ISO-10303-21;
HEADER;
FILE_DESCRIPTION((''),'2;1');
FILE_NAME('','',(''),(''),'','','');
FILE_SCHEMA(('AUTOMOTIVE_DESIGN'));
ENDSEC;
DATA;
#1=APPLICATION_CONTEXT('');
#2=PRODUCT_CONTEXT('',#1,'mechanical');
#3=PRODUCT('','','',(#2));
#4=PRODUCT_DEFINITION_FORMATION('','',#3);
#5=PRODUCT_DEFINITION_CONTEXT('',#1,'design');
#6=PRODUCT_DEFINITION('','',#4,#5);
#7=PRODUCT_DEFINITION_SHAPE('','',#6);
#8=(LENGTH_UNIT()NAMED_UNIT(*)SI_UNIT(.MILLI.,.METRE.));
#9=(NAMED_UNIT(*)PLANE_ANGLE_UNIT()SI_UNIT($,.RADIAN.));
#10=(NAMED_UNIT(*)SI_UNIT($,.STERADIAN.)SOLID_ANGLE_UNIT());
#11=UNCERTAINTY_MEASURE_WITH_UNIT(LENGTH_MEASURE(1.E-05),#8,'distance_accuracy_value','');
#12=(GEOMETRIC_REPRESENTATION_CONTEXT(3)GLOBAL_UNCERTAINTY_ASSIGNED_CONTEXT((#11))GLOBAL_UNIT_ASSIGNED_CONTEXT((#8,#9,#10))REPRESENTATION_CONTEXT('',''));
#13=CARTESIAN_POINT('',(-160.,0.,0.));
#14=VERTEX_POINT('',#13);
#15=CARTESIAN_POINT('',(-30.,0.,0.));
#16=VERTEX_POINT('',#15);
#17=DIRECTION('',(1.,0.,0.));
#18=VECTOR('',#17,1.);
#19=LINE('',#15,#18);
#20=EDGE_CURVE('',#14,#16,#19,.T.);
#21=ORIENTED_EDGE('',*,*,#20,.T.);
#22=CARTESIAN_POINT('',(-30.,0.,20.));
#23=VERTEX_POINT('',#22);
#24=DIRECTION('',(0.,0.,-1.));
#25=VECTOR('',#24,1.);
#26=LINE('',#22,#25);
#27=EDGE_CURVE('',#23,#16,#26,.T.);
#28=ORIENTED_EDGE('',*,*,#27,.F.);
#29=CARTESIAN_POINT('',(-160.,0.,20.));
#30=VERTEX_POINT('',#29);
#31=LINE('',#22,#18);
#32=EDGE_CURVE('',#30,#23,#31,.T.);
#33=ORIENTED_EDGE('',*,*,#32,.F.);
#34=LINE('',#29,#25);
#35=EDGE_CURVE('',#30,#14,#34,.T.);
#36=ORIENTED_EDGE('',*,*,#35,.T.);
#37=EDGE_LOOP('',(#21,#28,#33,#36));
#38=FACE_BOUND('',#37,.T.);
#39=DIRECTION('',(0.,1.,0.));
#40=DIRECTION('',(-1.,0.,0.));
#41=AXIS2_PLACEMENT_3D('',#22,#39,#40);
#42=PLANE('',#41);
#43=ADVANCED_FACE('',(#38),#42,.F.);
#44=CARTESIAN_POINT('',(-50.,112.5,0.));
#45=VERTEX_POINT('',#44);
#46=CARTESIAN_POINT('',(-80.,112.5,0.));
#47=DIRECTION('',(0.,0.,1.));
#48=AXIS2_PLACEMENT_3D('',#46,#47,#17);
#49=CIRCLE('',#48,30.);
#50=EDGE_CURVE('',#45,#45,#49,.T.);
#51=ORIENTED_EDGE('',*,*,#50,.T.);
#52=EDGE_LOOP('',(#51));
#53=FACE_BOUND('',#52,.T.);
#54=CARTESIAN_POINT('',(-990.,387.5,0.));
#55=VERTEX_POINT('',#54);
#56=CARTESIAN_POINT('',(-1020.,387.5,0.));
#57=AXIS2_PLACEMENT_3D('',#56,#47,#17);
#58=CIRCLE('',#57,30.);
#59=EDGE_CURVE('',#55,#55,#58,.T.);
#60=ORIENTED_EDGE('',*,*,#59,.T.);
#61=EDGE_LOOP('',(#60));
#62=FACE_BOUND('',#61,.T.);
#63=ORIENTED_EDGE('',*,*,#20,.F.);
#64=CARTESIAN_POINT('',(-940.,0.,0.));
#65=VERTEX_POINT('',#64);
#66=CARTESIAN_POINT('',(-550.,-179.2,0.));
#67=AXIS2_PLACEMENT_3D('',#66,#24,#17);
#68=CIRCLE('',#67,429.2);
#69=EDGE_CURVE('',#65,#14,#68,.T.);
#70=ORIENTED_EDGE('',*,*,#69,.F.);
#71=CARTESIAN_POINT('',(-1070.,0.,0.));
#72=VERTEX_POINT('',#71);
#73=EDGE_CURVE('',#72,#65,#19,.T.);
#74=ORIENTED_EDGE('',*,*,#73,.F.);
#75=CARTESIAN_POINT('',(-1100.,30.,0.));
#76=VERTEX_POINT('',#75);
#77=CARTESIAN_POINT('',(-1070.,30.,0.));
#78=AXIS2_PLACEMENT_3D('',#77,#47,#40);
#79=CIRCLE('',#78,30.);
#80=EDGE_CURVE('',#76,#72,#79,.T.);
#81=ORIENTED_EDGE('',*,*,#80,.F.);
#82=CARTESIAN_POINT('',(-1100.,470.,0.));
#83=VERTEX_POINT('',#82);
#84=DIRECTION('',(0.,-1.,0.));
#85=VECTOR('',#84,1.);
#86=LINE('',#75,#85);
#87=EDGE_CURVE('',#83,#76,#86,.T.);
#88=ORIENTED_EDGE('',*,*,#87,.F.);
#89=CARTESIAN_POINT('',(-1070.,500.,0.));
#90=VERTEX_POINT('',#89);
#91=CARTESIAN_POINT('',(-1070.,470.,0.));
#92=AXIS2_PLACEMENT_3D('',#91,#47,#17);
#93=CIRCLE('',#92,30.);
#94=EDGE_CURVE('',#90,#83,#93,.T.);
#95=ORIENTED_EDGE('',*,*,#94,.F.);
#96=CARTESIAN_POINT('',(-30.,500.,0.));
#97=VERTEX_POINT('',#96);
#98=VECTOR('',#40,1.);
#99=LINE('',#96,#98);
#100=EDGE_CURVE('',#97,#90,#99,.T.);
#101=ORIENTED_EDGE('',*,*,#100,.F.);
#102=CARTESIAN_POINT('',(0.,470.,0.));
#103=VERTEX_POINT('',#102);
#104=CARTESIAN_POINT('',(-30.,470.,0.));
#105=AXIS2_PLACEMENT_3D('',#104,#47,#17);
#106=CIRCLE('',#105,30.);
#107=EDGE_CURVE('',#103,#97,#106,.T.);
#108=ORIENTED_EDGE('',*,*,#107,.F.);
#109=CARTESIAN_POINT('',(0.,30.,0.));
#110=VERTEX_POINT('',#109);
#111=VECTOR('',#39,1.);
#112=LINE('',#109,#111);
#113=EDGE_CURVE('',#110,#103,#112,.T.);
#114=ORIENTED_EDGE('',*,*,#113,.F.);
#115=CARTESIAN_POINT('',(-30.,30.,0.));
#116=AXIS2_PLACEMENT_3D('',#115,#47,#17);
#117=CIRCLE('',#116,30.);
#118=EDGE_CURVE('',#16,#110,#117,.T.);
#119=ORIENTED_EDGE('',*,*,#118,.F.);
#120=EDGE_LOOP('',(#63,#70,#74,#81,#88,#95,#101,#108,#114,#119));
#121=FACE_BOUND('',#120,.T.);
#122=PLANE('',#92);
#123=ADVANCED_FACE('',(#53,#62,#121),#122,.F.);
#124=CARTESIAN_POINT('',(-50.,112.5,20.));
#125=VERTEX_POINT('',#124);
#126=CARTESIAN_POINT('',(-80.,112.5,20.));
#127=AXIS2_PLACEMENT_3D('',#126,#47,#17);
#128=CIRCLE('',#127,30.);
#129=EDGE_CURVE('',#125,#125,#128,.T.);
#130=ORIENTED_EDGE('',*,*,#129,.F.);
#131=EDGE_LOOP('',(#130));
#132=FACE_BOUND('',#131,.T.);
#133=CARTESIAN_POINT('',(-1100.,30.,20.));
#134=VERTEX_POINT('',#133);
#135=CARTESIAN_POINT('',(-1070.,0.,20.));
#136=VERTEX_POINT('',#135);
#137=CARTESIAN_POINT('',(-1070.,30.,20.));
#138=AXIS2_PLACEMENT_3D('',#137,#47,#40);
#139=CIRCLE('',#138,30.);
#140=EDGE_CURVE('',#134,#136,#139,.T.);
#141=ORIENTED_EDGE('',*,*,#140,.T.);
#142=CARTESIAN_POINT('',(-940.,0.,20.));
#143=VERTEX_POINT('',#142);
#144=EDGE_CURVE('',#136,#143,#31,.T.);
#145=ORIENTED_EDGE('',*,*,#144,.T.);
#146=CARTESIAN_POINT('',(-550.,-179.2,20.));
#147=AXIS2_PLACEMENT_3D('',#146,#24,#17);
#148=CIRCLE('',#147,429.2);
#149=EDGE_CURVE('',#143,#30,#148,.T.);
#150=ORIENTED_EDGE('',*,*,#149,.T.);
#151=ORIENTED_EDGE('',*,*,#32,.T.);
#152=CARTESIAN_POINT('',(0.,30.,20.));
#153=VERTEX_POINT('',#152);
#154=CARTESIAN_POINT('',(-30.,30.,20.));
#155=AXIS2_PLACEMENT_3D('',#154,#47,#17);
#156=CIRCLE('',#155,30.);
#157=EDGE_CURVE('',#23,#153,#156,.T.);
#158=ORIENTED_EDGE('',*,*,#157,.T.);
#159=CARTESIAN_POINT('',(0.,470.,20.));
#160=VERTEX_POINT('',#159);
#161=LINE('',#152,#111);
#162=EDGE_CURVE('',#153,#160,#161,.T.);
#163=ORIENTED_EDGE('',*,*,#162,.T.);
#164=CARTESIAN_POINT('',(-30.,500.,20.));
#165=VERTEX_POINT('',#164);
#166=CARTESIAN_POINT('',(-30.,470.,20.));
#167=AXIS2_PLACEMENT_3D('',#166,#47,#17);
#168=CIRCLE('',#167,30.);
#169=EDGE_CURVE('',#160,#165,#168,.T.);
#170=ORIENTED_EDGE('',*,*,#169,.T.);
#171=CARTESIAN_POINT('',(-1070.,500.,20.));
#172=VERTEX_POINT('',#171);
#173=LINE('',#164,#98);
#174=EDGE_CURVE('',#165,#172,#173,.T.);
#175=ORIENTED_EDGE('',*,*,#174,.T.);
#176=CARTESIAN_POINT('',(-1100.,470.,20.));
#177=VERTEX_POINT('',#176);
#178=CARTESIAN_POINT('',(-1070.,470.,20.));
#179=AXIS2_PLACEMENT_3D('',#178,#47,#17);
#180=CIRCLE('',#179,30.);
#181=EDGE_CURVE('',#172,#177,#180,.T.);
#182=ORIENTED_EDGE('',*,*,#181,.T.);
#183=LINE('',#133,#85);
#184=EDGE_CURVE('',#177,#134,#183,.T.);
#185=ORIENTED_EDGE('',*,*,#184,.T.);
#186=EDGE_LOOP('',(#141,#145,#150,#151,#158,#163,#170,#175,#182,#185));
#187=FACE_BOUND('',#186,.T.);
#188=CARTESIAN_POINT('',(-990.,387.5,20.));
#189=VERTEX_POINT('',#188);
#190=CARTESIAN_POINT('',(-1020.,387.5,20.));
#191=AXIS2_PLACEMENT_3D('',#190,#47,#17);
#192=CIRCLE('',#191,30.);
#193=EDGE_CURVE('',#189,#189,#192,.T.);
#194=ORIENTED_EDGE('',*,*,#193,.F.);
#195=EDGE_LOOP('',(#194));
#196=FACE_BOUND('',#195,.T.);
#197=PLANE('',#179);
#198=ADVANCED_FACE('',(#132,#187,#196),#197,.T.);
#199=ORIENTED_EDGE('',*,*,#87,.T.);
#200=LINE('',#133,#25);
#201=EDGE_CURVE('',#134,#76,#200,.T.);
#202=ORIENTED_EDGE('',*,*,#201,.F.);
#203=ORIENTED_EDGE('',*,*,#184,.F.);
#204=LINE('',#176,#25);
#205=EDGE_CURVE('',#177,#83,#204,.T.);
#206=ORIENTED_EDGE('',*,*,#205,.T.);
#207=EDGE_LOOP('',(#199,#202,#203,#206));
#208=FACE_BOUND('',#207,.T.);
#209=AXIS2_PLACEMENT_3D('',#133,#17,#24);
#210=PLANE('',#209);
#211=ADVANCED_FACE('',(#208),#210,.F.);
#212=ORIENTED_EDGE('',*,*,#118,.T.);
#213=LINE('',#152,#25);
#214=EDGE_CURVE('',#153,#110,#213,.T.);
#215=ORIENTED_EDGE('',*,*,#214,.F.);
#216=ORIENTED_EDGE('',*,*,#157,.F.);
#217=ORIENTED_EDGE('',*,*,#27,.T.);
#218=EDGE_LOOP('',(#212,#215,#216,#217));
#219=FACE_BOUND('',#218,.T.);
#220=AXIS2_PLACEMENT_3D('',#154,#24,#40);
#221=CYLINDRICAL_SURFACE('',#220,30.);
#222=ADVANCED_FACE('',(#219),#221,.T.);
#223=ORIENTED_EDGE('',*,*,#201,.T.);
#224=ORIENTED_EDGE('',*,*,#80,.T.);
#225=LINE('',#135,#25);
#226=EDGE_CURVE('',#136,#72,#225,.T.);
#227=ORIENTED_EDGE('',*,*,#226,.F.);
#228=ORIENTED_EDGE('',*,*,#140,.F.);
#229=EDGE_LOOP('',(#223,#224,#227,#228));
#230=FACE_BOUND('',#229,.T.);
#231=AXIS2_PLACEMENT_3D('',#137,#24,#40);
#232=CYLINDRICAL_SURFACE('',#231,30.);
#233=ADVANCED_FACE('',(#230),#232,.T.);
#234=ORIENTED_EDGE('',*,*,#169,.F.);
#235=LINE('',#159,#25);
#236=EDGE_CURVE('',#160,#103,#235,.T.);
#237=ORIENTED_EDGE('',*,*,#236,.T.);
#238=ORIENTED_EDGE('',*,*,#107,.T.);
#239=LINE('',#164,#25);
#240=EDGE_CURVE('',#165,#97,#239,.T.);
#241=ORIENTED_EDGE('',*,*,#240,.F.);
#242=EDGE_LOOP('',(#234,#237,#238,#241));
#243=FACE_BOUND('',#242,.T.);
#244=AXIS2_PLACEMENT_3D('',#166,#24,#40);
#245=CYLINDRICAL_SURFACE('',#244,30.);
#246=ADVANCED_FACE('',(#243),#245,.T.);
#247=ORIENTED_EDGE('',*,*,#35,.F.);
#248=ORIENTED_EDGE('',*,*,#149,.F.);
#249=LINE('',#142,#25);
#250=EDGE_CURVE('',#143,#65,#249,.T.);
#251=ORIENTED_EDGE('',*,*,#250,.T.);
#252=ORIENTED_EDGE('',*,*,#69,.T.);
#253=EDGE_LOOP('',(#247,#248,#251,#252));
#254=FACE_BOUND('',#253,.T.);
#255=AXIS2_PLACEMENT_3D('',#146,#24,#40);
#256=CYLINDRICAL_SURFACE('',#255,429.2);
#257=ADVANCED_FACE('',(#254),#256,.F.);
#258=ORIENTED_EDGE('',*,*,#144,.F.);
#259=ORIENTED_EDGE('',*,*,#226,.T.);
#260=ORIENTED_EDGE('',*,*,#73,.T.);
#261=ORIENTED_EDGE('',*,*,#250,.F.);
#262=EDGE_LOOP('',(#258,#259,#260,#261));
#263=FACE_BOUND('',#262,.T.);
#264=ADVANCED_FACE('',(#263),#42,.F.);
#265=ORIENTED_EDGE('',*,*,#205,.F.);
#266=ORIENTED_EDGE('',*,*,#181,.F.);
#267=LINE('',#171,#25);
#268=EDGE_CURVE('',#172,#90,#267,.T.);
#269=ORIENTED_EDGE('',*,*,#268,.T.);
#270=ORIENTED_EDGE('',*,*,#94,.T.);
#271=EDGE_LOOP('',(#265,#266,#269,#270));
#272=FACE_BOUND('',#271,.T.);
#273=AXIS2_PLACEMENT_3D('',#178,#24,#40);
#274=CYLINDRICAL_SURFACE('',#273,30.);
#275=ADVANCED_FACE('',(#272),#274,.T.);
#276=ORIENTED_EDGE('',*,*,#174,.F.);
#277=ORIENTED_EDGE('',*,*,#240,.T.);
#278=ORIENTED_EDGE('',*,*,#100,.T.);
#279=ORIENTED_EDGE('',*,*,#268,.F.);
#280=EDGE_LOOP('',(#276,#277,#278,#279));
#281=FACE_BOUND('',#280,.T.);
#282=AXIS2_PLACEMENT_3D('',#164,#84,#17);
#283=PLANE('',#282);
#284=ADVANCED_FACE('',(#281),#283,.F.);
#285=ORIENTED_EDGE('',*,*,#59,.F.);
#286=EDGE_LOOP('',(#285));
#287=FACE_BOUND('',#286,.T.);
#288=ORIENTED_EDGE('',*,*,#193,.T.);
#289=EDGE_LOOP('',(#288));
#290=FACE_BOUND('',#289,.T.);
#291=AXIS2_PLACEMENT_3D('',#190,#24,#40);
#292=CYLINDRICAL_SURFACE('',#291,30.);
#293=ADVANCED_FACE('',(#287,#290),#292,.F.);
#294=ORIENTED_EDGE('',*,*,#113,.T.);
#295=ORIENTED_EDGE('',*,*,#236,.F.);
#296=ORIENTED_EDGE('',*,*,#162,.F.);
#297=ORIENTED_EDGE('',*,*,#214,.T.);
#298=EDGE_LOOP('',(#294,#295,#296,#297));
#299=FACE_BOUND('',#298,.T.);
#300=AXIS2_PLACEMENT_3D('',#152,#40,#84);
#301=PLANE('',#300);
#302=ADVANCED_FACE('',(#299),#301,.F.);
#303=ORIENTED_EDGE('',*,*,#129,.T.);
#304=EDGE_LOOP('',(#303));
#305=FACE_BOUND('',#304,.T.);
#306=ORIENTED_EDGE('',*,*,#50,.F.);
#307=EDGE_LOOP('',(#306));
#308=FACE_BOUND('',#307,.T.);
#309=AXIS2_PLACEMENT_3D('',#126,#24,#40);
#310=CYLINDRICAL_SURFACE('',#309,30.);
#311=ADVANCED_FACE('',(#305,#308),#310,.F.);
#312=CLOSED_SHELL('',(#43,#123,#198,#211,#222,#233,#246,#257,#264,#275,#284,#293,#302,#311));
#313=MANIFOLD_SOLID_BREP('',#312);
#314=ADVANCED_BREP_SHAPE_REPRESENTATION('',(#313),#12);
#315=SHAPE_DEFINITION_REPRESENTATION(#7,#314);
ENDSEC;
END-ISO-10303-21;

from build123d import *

# Parameters (mm, degrees)
IZIM1_R                     = 30
Y_KSEKLIK_EKSTR_ZYON1_DEPTH = 20
KES_EKSTR_ZYON1_DEPTH       = 20


with BuildPart() as part:
    # Çizim1 → Yükseklik-Ekstrüzyon1 (new body)
    with BuildSketch(Plane.XY):
        with BuildLine():
            Line((-30, 0), (-1070, 0))
            ThreePointArc((-1070, 0), (-1091.213203436, 8.786796564), (-1100, 30))
            Line((-1100, 30), (-1100, 470))
            ThreePointArc((-1100, 470), (-1091.213203436, 491.213203436), (-1070, 500))
            Line((-1070, 500), (-30, 500))
            ThreePointArc((-30, 500), (-8.786796564, 491.213203436), (0, 470))
            Line((0, 470), (0, 30))
            ThreePointArc((0, 30), (-8.786796564, 8.786796564), (-30, 0))
        make_face()
        with Locations((-1020, 387.5)):
            Circle(IZIM1_R, mode=Mode.SUBTRACT)
        with Locations((-80, 112.5)):
            Circle(IZIM1_R, mode=Mode.SUBTRACT)
    extrude(amount=Y_KSEKLIK_EKSTR_ZYON1_DEPTH)

    # Çizim2 → Kes-Ekstrüzyon1 (cut)
    with BuildSketch(Plane(origin=(0, 0, 0), x_dir=(-1, 0, 0), z_dir=(0, 0, -1))):
        with BuildLine():
            Line((940, 0), (160, 0))
            ThreePointArc((160, 0), (550, 250), (940, 0))
        make_face()
    extrude(amount=-KES_EKSTR_ZYON1_DEPTH, mode=Mode.SUBTRACT)


solid = part.part
